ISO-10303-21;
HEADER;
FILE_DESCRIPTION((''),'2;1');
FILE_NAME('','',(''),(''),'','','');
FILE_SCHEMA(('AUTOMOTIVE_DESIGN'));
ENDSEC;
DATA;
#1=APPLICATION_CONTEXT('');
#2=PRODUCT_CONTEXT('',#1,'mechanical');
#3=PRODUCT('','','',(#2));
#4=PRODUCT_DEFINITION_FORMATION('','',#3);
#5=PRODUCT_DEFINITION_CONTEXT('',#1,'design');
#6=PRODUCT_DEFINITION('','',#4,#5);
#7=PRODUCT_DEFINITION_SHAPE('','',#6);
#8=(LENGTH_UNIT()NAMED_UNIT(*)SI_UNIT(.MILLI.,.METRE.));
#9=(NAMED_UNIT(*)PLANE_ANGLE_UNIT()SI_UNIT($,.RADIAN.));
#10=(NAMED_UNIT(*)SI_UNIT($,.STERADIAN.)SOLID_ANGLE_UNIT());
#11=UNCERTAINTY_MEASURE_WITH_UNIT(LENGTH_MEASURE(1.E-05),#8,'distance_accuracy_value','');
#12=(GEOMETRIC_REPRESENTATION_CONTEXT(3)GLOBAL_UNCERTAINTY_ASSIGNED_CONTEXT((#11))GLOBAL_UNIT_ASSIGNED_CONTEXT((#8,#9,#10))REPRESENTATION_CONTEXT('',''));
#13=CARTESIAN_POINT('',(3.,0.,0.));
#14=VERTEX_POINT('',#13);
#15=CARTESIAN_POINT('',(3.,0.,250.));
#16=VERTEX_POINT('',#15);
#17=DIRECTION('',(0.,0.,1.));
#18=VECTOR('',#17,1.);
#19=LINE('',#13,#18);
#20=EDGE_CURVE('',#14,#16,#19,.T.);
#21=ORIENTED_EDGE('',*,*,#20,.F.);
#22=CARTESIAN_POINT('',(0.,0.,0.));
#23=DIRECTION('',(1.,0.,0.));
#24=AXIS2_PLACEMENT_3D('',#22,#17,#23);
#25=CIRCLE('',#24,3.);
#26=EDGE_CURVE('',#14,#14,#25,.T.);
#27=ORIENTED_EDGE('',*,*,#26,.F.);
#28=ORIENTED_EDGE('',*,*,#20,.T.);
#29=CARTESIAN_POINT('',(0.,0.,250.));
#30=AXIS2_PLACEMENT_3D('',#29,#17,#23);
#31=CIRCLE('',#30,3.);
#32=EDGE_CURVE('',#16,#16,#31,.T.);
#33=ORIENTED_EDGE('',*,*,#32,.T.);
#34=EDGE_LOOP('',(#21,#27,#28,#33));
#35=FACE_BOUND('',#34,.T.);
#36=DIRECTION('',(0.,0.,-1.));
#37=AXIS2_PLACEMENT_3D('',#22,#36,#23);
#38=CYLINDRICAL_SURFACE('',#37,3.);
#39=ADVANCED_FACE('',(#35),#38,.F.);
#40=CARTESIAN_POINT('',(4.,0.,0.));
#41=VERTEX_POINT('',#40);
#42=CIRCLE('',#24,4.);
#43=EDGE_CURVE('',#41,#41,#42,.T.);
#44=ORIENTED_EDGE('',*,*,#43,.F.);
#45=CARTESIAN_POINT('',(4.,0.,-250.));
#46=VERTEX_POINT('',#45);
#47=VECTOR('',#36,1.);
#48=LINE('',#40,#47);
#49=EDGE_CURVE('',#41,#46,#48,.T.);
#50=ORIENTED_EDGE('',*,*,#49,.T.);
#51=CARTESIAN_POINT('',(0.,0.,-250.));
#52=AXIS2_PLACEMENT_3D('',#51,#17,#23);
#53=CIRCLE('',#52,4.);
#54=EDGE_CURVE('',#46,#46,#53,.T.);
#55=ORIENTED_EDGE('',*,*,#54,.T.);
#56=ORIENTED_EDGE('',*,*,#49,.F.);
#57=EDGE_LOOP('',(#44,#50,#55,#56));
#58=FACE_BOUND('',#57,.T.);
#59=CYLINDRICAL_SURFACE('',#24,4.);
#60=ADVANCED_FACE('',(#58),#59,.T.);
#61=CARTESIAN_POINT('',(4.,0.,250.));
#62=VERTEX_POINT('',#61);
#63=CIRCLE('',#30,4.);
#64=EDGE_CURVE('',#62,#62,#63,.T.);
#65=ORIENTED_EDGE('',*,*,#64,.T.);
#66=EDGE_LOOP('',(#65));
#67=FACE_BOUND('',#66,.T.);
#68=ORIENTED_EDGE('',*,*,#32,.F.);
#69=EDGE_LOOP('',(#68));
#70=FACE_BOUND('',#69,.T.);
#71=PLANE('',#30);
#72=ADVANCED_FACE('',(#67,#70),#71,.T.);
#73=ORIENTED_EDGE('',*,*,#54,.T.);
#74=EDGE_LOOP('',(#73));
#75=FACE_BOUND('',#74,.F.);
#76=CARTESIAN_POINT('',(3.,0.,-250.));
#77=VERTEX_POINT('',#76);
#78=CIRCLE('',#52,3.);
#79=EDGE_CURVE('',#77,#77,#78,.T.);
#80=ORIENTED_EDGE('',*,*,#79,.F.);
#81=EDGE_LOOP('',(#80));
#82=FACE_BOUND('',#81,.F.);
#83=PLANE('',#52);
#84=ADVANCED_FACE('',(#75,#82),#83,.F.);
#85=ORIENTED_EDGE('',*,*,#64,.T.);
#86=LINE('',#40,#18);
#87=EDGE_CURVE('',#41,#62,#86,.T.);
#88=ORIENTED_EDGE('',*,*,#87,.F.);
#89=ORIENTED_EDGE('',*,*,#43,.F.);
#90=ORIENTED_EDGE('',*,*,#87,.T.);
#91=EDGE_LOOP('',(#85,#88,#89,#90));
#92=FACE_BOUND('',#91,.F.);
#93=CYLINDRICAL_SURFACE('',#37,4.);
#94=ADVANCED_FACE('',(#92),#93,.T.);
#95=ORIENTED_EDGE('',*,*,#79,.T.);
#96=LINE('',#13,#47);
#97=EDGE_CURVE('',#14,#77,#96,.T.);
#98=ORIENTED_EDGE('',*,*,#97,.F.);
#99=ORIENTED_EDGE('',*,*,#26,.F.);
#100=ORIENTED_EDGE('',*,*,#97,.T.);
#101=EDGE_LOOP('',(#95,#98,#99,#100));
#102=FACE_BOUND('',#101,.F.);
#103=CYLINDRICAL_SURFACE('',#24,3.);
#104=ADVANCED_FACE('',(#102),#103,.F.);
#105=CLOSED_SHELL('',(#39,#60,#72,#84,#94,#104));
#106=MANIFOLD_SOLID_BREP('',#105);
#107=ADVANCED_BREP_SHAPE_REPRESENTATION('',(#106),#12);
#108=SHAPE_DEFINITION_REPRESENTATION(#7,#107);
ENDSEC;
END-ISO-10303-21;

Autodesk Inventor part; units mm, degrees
ref_plane "YZ Plane" through (0, 0, 0) normal (1, 0, 0) x (0, 1, 0)
ref_plane "XZ Plane" through (0, 0, 0) normal (0, 1, 0) x (-1, 0, 0)
ref_plane "XY Plane" through (0, 0, 0) normal (0, 0, 1) x (1, 0, 0)
sketch "Sketch1" plane through (0, 0, 0) normal (0, 0, 1) x (1, 0, 0)
  circle A0 centre (0, 0) radius 4
  circle A1 centre (0, 0) radius 3
  dimension "d0" = 8
  dimension "d1" = 6
extrude "Extrusion1" add sketch "Sketch1" along normal mid plane 500
properties part number "Carbon Tube 8x6x500"
